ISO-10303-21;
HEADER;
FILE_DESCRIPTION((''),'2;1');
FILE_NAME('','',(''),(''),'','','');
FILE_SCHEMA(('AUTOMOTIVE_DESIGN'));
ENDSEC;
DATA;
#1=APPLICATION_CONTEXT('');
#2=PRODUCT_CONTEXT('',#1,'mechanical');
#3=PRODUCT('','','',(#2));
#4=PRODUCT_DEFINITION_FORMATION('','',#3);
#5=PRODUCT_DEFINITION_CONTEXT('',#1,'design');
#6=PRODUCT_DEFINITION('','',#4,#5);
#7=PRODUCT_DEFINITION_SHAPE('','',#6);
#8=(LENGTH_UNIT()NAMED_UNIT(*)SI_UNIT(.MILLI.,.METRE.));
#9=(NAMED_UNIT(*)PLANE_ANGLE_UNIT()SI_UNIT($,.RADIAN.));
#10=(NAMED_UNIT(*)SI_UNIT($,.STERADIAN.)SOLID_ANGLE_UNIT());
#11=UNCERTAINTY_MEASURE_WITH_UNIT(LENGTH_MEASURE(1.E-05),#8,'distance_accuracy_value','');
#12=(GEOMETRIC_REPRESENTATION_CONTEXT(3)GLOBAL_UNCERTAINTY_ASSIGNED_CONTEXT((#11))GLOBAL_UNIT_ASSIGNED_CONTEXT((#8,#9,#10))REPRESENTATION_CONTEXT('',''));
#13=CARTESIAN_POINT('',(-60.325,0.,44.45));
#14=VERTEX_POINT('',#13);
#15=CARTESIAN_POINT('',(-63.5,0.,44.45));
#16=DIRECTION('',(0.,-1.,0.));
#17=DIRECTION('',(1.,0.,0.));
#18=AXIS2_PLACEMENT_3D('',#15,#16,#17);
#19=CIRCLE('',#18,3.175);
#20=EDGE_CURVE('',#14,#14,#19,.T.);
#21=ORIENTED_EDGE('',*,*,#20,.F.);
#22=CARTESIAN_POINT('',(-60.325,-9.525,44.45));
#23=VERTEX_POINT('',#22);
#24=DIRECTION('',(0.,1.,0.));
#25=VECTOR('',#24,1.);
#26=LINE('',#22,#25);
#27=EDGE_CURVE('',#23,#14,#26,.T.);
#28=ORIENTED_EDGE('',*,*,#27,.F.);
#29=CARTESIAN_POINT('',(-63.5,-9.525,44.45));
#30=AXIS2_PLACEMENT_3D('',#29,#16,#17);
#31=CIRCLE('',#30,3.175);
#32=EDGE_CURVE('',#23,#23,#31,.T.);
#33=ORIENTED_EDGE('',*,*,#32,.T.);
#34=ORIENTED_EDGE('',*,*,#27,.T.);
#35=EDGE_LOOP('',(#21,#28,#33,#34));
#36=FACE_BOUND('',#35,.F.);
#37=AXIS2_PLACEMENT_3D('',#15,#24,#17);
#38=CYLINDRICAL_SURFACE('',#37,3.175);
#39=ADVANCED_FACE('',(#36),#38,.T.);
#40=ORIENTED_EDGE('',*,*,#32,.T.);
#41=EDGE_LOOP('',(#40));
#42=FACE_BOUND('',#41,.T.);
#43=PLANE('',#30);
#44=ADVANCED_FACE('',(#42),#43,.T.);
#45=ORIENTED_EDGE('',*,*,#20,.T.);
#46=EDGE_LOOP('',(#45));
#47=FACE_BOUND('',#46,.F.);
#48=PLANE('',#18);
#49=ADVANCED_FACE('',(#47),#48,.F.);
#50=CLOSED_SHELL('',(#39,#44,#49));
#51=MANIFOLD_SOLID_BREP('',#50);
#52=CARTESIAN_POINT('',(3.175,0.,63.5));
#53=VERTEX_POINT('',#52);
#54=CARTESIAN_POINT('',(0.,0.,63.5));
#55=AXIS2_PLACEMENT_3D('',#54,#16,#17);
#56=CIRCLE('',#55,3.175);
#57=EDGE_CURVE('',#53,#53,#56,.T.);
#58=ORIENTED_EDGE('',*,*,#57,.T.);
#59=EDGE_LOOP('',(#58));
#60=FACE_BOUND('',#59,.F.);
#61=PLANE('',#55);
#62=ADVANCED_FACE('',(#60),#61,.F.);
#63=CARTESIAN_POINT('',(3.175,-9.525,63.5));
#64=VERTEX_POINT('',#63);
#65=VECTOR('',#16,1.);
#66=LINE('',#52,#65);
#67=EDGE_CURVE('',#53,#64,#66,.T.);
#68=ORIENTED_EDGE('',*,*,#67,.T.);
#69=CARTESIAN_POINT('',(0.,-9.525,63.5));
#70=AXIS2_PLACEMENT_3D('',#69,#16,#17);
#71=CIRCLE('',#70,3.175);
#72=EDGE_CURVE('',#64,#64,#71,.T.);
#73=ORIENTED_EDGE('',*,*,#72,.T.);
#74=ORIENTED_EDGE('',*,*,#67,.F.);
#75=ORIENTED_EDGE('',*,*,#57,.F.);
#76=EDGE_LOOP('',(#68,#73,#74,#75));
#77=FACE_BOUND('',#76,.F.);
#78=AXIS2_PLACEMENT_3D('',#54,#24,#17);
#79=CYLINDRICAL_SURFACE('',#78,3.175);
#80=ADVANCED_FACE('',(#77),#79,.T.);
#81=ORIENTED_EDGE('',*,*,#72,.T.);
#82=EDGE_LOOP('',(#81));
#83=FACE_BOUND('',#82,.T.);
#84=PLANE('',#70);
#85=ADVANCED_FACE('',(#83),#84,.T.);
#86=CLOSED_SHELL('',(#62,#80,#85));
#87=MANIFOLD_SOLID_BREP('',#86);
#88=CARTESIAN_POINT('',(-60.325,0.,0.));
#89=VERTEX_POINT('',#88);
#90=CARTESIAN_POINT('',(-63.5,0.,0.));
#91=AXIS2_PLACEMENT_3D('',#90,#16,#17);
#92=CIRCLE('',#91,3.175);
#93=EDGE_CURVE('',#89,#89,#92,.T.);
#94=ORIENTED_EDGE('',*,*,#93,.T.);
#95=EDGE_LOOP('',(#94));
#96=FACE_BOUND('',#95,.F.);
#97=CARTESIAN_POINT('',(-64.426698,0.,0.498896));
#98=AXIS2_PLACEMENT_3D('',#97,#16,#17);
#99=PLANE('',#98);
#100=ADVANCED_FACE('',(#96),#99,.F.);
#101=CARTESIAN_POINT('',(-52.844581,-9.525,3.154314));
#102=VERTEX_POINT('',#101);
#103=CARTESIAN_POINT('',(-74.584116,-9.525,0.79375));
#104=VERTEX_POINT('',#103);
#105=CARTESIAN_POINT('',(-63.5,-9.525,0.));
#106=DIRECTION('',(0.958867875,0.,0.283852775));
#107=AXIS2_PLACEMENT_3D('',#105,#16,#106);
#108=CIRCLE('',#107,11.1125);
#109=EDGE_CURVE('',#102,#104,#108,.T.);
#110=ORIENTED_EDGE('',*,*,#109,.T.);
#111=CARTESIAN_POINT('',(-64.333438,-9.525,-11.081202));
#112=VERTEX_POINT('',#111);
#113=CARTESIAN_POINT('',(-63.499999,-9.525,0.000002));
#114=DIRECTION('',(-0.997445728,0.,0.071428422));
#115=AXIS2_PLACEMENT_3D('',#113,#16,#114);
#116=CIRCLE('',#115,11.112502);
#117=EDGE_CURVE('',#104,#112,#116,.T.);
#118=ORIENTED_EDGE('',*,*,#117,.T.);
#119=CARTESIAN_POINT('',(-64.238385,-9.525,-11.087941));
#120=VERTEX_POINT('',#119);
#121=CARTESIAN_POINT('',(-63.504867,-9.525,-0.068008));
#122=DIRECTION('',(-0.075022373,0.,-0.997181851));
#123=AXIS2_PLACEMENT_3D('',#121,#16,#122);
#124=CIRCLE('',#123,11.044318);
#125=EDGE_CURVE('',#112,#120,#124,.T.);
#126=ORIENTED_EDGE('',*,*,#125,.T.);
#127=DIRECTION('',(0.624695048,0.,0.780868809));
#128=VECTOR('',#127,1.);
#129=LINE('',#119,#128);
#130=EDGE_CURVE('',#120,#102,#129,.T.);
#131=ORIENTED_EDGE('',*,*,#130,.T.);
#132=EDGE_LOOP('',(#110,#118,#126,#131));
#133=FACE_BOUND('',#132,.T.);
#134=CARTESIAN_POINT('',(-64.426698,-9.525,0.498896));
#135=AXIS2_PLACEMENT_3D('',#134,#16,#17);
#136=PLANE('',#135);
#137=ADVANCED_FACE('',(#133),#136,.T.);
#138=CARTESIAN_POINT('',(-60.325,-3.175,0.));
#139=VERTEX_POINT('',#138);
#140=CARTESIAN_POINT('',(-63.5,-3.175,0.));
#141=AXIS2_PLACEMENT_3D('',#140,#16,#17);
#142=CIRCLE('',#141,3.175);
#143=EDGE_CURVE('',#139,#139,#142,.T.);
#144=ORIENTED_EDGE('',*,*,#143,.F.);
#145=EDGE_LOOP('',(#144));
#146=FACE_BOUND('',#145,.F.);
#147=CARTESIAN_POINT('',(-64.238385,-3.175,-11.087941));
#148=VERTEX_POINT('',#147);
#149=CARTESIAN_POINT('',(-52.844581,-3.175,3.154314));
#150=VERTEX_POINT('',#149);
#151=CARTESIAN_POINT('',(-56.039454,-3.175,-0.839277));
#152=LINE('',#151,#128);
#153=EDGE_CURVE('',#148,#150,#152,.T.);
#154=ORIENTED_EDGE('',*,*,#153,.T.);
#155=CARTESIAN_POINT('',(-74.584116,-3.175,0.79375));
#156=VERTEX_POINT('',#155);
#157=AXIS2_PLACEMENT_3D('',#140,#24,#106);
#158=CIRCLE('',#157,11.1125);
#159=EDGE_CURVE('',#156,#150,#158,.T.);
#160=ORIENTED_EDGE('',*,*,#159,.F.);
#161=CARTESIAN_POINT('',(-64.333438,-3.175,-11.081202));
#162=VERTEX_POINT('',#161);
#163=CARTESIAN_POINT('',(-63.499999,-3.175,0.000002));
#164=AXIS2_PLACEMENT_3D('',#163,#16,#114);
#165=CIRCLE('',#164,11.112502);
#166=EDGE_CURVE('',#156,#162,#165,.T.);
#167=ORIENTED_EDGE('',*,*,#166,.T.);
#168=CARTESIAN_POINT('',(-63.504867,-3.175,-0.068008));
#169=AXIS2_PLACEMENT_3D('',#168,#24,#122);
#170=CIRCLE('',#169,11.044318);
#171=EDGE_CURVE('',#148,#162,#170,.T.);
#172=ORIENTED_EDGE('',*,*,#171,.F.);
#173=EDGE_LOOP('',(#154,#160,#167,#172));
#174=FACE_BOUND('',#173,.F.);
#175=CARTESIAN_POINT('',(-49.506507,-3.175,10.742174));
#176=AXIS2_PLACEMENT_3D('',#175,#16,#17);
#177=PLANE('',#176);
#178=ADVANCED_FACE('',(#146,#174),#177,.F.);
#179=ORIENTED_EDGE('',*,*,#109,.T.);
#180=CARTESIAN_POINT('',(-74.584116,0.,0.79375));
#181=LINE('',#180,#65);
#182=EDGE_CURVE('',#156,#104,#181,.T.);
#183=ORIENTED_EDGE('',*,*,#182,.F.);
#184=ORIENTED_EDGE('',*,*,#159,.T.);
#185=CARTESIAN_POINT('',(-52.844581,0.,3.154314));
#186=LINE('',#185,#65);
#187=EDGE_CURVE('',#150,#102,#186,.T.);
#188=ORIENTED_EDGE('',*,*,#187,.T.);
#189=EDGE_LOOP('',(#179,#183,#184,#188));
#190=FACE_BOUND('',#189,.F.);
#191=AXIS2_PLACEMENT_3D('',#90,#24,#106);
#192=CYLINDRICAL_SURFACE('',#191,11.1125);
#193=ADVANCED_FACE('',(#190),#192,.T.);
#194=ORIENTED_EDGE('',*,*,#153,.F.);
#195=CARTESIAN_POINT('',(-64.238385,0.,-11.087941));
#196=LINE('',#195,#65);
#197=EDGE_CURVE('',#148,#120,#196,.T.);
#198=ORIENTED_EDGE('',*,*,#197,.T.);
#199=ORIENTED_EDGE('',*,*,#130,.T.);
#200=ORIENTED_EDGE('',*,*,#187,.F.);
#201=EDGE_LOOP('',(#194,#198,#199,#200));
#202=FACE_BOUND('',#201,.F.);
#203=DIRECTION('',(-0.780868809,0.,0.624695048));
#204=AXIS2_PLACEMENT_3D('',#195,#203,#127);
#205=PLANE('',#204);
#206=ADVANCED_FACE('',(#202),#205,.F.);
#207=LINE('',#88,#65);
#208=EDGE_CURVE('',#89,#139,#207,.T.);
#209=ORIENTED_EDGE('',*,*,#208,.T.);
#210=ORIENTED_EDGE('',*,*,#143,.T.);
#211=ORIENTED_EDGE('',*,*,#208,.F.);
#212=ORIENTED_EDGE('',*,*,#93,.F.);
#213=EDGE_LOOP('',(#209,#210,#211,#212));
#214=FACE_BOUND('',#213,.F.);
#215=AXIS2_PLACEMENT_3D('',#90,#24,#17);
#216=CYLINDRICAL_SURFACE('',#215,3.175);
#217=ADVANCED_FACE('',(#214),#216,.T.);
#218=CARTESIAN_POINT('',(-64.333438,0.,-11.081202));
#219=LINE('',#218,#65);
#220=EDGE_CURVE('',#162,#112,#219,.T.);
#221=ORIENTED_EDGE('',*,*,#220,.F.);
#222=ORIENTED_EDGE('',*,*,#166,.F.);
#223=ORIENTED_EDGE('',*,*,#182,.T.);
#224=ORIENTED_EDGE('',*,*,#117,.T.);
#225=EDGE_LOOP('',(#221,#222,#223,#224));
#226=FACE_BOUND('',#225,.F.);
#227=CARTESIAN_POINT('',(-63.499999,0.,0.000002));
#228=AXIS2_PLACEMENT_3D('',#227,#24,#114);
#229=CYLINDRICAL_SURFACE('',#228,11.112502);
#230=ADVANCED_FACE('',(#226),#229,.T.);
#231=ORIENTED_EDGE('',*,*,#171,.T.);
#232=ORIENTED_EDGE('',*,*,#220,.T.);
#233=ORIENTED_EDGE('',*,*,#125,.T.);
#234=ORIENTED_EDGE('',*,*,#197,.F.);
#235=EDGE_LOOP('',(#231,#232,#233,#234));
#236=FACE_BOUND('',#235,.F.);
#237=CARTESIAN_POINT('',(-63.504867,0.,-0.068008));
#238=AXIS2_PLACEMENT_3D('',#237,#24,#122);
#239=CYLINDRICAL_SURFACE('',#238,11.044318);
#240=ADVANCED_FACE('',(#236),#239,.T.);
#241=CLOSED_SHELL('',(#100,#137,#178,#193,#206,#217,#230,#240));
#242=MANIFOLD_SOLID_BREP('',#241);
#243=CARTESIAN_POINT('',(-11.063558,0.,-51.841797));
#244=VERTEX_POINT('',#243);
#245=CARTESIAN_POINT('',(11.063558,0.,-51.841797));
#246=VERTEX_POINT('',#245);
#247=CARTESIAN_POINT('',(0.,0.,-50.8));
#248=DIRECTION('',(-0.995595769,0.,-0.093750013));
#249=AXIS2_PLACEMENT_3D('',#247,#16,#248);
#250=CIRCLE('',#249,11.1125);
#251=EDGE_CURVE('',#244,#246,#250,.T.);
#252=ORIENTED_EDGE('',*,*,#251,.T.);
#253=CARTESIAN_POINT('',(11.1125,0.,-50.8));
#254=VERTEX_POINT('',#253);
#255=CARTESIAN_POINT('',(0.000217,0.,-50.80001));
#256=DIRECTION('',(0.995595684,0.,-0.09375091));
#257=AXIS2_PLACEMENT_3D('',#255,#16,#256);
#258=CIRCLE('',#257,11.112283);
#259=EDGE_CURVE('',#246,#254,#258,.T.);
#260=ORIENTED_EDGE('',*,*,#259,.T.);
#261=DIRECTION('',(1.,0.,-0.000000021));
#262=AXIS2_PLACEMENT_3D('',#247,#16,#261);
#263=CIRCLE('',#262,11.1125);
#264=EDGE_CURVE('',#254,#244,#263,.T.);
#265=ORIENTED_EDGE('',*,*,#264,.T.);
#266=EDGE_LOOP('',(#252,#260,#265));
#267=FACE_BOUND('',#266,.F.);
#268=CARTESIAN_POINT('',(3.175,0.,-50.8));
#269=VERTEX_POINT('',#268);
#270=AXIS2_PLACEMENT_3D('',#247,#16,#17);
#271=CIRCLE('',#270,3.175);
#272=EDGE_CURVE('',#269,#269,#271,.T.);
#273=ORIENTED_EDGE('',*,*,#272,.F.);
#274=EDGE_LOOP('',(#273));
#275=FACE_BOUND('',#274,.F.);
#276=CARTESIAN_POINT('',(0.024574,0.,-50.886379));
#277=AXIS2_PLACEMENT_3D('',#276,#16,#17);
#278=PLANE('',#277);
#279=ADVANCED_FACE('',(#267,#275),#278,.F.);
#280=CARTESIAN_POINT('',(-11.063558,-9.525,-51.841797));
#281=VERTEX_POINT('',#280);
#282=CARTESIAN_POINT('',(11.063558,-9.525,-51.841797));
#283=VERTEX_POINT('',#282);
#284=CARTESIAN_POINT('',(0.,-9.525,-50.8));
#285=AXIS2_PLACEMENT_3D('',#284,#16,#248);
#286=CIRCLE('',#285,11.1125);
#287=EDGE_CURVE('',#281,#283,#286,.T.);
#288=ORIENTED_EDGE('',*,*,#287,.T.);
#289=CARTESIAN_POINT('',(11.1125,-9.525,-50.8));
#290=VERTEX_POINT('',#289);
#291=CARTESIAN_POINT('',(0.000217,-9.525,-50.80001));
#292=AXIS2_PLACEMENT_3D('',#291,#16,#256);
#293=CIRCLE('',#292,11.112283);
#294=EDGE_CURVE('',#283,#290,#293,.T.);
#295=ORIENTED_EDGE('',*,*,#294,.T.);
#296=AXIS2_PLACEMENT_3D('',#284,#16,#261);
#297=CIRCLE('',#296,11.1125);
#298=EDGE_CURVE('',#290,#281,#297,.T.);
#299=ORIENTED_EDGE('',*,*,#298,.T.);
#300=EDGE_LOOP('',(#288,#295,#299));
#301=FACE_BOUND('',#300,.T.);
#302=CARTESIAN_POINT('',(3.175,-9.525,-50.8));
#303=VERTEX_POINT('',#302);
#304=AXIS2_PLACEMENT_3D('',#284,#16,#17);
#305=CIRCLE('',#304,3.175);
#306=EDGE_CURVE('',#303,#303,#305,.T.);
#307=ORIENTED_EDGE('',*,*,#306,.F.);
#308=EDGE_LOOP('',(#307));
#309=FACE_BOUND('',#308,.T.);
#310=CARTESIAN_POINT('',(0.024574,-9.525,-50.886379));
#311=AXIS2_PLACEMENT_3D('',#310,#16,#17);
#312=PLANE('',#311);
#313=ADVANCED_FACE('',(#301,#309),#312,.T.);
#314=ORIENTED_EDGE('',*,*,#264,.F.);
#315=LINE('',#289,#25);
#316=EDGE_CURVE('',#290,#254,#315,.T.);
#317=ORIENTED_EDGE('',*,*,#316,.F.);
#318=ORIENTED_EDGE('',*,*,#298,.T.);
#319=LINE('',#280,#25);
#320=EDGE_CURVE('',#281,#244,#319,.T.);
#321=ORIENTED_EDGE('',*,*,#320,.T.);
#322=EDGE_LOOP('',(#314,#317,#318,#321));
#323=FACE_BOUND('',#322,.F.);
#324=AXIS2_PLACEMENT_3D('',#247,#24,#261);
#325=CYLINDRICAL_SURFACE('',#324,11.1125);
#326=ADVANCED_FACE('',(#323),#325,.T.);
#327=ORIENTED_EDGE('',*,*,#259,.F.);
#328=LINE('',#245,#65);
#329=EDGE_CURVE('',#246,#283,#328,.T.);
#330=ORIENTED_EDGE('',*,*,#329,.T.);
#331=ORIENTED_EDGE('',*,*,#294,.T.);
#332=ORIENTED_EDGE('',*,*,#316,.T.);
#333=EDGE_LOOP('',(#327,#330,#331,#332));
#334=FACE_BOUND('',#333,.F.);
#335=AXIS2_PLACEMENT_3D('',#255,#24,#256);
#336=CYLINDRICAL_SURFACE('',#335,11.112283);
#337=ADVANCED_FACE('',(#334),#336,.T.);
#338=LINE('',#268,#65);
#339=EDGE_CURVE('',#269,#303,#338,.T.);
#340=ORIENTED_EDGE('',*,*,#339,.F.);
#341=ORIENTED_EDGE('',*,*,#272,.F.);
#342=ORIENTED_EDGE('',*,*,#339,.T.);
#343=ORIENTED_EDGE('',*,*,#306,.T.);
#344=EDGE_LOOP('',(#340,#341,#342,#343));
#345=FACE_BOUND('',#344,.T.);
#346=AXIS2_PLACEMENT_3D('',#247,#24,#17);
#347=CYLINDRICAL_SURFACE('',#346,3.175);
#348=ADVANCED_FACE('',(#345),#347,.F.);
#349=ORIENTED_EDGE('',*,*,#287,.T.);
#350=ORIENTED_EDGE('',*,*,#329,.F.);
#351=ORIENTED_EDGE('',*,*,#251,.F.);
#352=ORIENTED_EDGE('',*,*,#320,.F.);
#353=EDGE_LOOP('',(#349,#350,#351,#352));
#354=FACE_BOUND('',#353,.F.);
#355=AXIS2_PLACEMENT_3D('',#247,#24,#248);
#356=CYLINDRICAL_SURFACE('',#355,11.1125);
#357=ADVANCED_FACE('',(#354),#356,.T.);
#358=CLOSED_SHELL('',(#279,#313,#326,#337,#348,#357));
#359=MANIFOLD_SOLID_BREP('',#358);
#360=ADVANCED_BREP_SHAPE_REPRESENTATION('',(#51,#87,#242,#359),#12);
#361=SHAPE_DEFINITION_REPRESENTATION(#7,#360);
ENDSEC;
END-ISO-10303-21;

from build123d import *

# Parameters (mm, degrees)
F0_R     = 3.175
F0_R_2   = 3.9751
F1_DEPTH = 3.175
F2_DEPTH = 3.175
F7_DEPTH = 9.525


with BuildPart() as f1:
    # F0 (on Front) → F1 (new body)
    with BuildSketch(Plane.XZ):
        with BuildLine():
            ThreePointArc((-1.190625, 15.830289), (10.351805, 12.035603), (15.830289, 1.190625))
            Line((15.830289, 1.190625), (11.081202, 64.333438))
            ThreePointArc((11.081202, 64.333438), (11.104673, 63.917012), (11.1125, 63.5))
            ThreePointArc((11.1125, 63.5), (-7.571892, 55.366483), (-0.79375, 74.584116))
            Line((-0.79375, 74.584116), (-45.016964, 71.417225))
            ThreePointArc((-45.016964, 71.417225), (-39.041505, 69.309655), (-36.5125, 63.5))
            ThreePointArc((-36.5125, 63.5), (-39.041505, 57.690345), (-45.016964, 55.582775))
            Line((-45.016964, 55.582775), (-19.875971, 53.782391))
            ThreePointArc((-19.875971, 53.782391), (-14.425704, 51.047466), (-12.516034, 45.256233))
            Line((-12.516034, 45.256233), (-14.806234, 14.806234))
            Line((-14.806234, 14.806234), (-1.190625, 15.830289))
        make_face()
        with BuildLine():
            ThreePointArc((-36.5125, 63.5), (-39.041505, 69.309655), (-45.016964, 71.417225))
            ThreePointArc((-45.016964, 71.417225), (-52.3875, 63.5), (-45.016964, 55.582775))
            ThreePointArc((-45.016964, 55.582775), (-39.041505, 57.690345), (-36.5125, 63.5))
        make_face()
        with Locations((-44.45, 63.5)):
            Circle(F0_R, mode=Mode.SUBTRACT)
        with BuildLine():
            ThreePointArc((11.1125, 63.5), (11.104673, 63.917012), (11.081202, 64.333438))
            ThreePointArc((11.081202, 64.333438), (7.261337, 71.911934), (-0.79375, 74.584116))
            ThreePointArc((-0.79375, 74.584116), (-7.571892, 55.366483), (11.1125, 63.5))
        make_face()
        with Locations((0, 63.5)):
            Circle(F0_R, mode=Mode.SUBTRACT)
        with BuildLine():
            ThreePointArc((-15.805083, -1.488281), (-15.874297, -0.149361), (-15.830289, 1.190625))
            Line((-15.830289, 1.190625), (-14.806234, 14.806234))
            Line((-14.806234, 14.806234), (-45.256233, 12.516034))
            ThreePointArc((-45.256233, 12.516034), (-51.047466, 14.425704), (-53.782391, 19.875971))
            Line((-53.782391, 19.875971), (-55.582775, 45.016964))
            ThreePointArc((-55.582775, 45.016964), (-55.56757, 44.733663), (-55.5625, 44.45))
            ThreePointArc((-55.5625, 44.45), (-63.783663, 36.51757), (-71.417225, 45.016964))
            Line((-71.417225, 45.016964), (-74.584116, 0.79375))
            ThreePointArc((-74.584116, 0.79375), (-63.102871, 11.105402), (-52.3875, 0))
            ThreePointArc((-52.3875, 0), (-55.942683, -8.147062), (-64.333438, -11.081202))
            Line((-64.333438, -11.081202), (-14.549181, -14.825567))
            Line((-14.549181, -14.825567), (-15.805083, -1.488281))
        make_face()
        with Locations((-42.8498, 0)):
            Circle(F0_R, mode=Mode.SUBTRACT)
        with BuildLine():
            ThreePointArc((15.805083, -1.488281), (15.857511, -0.744961), (15.875, 0))
            ThreePointArc((15.875, 0), (15.863818, 0.595732), (15.830289, 1.190625))
            ThreePointArc((15.830289, 1.190625), (10.351805, 12.035603), (-1.190625, 15.830289))
            ThreePointArc((-1.190625, 15.830289), (-11.22532, 11.22532), (-15.830289, 1.190625))
            ThreePointArc((-15.830289, 1.190625), (-15.874297, -0.149361), (-15.805083, -1.488281))
            ThreePointArc((-15.805083, -1.488281), (-11.119209, -11.330437), (-1.190625, -15.830289))
            ThreePointArc((-1.190625, -15.830289), (10.23811, -12.132466), (15.805083, -1.488281))
        make_face()
        Circle(F0_R_2, mode=Mode.SUBTRACT)
        with BuildLine():
            Line((11.063558, -51.841797), (15.805083, -1.488281))
            ThreePointArc((15.805083, -1.488281), (10.23811, -12.132466), (-1.190625, -15.830289))
            Line((-1.190625, -15.830289), (-14.549181, -14.825567))
            Line((-14.549181, -14.825567), (-11.063558, -51.841797))
            ThreePointArc((-11.063558, -51.841797), (-0.521473, -39.699742), (11.1125, -50.8))
            ThreePointArc((11.1125, -50.8), (11.100258, -51.321473), (11.063558, -51.841797))
        make_face()
        with Locations((3.175, -36.386943)):
            Circle(F0_R, mode=Mode.SUBTRACT)
        with BuildLine():
            ThreePointArc((-11.063558, -51.841797), (0, -61.9125), (11.063558, -51.841797))
            ThreePointArc((11.063558, -51.841797), (11.100258, -51.321473), (11.1125, -50.8))
            ThreePointArc((11.1125, -50.8), (-0.521473, -39.699742), (-11.063558, -51.841797))
        make_face()
        with Locations((0, -50.8)):
            Circle(F0_R, mode=Mode.SUBTRACT)
        Circle(F0_R_2)
        Circle(F0_R, mode=Mode.SUBTRACT)
    extrude(amount=-F1_DEPTH)


with BuildPart() as f2:
    # F0 (on Front) → F2 (new body)
    with BuildSketch(Plane.XZ):
        with BuildLine():
            ThreePointArc((-15.805083, -1.488281), (-15.874297, -0.149361), (-15.830289, 1.190625))
            Line((-15.830289, 1.190625), (-14.806234, 14.806234))
            Line((-14.806234, 14.806234), (-45.256233, 12.516034))
            ThreePointArc((-45.256233, 12.516034), (-51.047466, 14.425704), (-53.782391, 19.875971))
            Line((-53.782391, 19.875971), (-55.582775, 45.016964))
            ThreePointArc((-55.582775, 45.016964), (-55.56757, 44.733663), (-55.5625, 44.45))
            ThreePointArc((-55.5625, 44.45), (-63.783663, 36.51757), (-71.417225, 45.016964))
            Line((-71.417225, 45.016964), (-74.584116, 0.79375))
            ThreePointArc((-74.584116, 0.79375), (-63.102871, 11.105402), (-52.3875, 0))
            ThreePointArc((-52.3875, 0), (-55.942683, -8.147062), (-64.333438, -11.081202))
            Line((-64.333438, -11.081202), (-14.549181, -14.825567))
            Line((-14.549181, -14.825567), (-15.805083, -1.488281))
        make_face()
        with Locations((-42.8498, 0)):
            Circle(F0_R, mode=Mode.SUBTRACT)
        with BuildLine():
            ThreePointArc((-55.5625, 44.45), (-55.56757, 44.733663), (-55.582775, 45.016964))
            ThreePointArc((-55.582775, 45.016964), (-63.5, 52.3875), (-71.417225, 45.016964))
            ThreePointArc((-71.417225, 45.016964), (-63.783663, 36.51757), (-55.5625, 44.45))
        make_face()
        with Locations((-63.5, 44.45)):
            Circle(F0_R, mode=Mode.SUBTRACT)
        with BuildLine():
            ThreePointArc((-74.584116, 0.79375), (-71.911934, -7.261337), (-64.333438, -11.081202))
            ThreePointArc((-64.333438, -11.081202), (-55.942683, -8.147062), (-52.3875, 0))
            ThreePointArc((-52.3875, 0), (-63.102871, 11.105402), (-74.584116, 0.79375))
        make_face()
        with Locations((-63.5, 0)):
            Circle(F0_R, mode=Mode.SUBTRACT)
        with BuildLine():
            ThreePointArc((15.805083, -1.488281), (15.857511, -0.744961), (15.875, 0))
            ThreePointArc((15.875, 0), (15.863818, 0.595732), (15.830289, 1.190625))
            ThreePointArc((15.830289, 1.190625), (10.351805, 12.035603), (-1.190625, 15.830289))
            ThreePointArc((-1.190625, 15.830289), (-11.22532, 11.22532), (-15.830289, 1.190625))
            ThreePointArc((-15.830289, 1.190625), (-15.874297, -0.149361), (-15.805083, -1.488281))
            ThreePointArc((-15.805083, -1.488281), (-11.119209, -11.330437), (-1.190625, -15.830289))
            ThreePointArc((-1.190625, -15.830289), (10.23811, -12.132466), (15.805083, -1.488281))
        make_face()
        Circle(F0_R_2, mode=Mode.SUBTRACT)
        with BuildLine():
            Line((11.063558, -51.841797), (15.805083, -1.488281))
            ThreePointArc((15.805083, -1.488281), (10.23811, -12.132466), (-1.190625, -15.830289))
            Line((-1.190625, -15.830289), (-14.549181, -14.825567))
            Line((-14.549181, -14.825567), (-11.063558, -51.841797))
            ThreePointArc((-11.063558, -51.841797), (-0.521473, -39.699742), (11.1125, -50.8))
            ThreePointArc((11.1125, -50.8), (11.100258, -51.321473), (11.063558, -51.841797))
        make_face()
        with Locations((3.175, -36.386943)):
            Circle(F0_R, mode=Mode.SUBTRACT)
        Circle(F0_R_2)
        Circle(F0_R, mode=Mode.SUBTRACT)
    extrude(amount=F2_DEPTH)


with BuildPart() as f7:
    # F6 (on face) + F0 (on Front) → F7 (new body, through all)
    with BuildSketch(Plane.XZ):
        with BuildLine():
            Line((-64.238385, -11.087941), (-52.844581, 3.154314))
            ThreePointArc((-52.844581, 3.154314), (-64.699588, 11.047563), (-74.584116, 0.79375))
            ThreePointArc((-74.584116, 0.79375), (-71.911934, -7.261337), (-64.333438, -11.081202))
            ThreePointArc((-64.333438, -11.081202), (-64.285919, -11.084674), (-64.238385, -11.087941))
        make_face()
    with BuildSketch(Plane.XZ):
        with BuildLine():
            ThreePointArc((-11.063558, -51.841797), (0, -61.9125), (11.063558, -51.841797))
            ThreePointArc((11.063558, -51.841797), (11.100258, -51.321473), (11.1125, -50.8))
            ThreePointArc((11.1125, -50.8), (-0.521473, -39.699742), (-11.063558, -51.841797))
        make_face()
        with Locations((0, -50.8)):
            Circle(F0_R, mode=Mode.SUBTRACT)
        with Locations((0, 63.5)):
            Circle(F0_R)
        with Locations((-63.5, 44.45)):
            Circle(F0_R)
    extrude(amount=F7_DEPTH)

    # F8: cut F2, F1
    add(f2.part, mode=Mode.SUBTRACT)
    add(f1.part, mode=Mode.SUBTRACT)


solid = f7.part
